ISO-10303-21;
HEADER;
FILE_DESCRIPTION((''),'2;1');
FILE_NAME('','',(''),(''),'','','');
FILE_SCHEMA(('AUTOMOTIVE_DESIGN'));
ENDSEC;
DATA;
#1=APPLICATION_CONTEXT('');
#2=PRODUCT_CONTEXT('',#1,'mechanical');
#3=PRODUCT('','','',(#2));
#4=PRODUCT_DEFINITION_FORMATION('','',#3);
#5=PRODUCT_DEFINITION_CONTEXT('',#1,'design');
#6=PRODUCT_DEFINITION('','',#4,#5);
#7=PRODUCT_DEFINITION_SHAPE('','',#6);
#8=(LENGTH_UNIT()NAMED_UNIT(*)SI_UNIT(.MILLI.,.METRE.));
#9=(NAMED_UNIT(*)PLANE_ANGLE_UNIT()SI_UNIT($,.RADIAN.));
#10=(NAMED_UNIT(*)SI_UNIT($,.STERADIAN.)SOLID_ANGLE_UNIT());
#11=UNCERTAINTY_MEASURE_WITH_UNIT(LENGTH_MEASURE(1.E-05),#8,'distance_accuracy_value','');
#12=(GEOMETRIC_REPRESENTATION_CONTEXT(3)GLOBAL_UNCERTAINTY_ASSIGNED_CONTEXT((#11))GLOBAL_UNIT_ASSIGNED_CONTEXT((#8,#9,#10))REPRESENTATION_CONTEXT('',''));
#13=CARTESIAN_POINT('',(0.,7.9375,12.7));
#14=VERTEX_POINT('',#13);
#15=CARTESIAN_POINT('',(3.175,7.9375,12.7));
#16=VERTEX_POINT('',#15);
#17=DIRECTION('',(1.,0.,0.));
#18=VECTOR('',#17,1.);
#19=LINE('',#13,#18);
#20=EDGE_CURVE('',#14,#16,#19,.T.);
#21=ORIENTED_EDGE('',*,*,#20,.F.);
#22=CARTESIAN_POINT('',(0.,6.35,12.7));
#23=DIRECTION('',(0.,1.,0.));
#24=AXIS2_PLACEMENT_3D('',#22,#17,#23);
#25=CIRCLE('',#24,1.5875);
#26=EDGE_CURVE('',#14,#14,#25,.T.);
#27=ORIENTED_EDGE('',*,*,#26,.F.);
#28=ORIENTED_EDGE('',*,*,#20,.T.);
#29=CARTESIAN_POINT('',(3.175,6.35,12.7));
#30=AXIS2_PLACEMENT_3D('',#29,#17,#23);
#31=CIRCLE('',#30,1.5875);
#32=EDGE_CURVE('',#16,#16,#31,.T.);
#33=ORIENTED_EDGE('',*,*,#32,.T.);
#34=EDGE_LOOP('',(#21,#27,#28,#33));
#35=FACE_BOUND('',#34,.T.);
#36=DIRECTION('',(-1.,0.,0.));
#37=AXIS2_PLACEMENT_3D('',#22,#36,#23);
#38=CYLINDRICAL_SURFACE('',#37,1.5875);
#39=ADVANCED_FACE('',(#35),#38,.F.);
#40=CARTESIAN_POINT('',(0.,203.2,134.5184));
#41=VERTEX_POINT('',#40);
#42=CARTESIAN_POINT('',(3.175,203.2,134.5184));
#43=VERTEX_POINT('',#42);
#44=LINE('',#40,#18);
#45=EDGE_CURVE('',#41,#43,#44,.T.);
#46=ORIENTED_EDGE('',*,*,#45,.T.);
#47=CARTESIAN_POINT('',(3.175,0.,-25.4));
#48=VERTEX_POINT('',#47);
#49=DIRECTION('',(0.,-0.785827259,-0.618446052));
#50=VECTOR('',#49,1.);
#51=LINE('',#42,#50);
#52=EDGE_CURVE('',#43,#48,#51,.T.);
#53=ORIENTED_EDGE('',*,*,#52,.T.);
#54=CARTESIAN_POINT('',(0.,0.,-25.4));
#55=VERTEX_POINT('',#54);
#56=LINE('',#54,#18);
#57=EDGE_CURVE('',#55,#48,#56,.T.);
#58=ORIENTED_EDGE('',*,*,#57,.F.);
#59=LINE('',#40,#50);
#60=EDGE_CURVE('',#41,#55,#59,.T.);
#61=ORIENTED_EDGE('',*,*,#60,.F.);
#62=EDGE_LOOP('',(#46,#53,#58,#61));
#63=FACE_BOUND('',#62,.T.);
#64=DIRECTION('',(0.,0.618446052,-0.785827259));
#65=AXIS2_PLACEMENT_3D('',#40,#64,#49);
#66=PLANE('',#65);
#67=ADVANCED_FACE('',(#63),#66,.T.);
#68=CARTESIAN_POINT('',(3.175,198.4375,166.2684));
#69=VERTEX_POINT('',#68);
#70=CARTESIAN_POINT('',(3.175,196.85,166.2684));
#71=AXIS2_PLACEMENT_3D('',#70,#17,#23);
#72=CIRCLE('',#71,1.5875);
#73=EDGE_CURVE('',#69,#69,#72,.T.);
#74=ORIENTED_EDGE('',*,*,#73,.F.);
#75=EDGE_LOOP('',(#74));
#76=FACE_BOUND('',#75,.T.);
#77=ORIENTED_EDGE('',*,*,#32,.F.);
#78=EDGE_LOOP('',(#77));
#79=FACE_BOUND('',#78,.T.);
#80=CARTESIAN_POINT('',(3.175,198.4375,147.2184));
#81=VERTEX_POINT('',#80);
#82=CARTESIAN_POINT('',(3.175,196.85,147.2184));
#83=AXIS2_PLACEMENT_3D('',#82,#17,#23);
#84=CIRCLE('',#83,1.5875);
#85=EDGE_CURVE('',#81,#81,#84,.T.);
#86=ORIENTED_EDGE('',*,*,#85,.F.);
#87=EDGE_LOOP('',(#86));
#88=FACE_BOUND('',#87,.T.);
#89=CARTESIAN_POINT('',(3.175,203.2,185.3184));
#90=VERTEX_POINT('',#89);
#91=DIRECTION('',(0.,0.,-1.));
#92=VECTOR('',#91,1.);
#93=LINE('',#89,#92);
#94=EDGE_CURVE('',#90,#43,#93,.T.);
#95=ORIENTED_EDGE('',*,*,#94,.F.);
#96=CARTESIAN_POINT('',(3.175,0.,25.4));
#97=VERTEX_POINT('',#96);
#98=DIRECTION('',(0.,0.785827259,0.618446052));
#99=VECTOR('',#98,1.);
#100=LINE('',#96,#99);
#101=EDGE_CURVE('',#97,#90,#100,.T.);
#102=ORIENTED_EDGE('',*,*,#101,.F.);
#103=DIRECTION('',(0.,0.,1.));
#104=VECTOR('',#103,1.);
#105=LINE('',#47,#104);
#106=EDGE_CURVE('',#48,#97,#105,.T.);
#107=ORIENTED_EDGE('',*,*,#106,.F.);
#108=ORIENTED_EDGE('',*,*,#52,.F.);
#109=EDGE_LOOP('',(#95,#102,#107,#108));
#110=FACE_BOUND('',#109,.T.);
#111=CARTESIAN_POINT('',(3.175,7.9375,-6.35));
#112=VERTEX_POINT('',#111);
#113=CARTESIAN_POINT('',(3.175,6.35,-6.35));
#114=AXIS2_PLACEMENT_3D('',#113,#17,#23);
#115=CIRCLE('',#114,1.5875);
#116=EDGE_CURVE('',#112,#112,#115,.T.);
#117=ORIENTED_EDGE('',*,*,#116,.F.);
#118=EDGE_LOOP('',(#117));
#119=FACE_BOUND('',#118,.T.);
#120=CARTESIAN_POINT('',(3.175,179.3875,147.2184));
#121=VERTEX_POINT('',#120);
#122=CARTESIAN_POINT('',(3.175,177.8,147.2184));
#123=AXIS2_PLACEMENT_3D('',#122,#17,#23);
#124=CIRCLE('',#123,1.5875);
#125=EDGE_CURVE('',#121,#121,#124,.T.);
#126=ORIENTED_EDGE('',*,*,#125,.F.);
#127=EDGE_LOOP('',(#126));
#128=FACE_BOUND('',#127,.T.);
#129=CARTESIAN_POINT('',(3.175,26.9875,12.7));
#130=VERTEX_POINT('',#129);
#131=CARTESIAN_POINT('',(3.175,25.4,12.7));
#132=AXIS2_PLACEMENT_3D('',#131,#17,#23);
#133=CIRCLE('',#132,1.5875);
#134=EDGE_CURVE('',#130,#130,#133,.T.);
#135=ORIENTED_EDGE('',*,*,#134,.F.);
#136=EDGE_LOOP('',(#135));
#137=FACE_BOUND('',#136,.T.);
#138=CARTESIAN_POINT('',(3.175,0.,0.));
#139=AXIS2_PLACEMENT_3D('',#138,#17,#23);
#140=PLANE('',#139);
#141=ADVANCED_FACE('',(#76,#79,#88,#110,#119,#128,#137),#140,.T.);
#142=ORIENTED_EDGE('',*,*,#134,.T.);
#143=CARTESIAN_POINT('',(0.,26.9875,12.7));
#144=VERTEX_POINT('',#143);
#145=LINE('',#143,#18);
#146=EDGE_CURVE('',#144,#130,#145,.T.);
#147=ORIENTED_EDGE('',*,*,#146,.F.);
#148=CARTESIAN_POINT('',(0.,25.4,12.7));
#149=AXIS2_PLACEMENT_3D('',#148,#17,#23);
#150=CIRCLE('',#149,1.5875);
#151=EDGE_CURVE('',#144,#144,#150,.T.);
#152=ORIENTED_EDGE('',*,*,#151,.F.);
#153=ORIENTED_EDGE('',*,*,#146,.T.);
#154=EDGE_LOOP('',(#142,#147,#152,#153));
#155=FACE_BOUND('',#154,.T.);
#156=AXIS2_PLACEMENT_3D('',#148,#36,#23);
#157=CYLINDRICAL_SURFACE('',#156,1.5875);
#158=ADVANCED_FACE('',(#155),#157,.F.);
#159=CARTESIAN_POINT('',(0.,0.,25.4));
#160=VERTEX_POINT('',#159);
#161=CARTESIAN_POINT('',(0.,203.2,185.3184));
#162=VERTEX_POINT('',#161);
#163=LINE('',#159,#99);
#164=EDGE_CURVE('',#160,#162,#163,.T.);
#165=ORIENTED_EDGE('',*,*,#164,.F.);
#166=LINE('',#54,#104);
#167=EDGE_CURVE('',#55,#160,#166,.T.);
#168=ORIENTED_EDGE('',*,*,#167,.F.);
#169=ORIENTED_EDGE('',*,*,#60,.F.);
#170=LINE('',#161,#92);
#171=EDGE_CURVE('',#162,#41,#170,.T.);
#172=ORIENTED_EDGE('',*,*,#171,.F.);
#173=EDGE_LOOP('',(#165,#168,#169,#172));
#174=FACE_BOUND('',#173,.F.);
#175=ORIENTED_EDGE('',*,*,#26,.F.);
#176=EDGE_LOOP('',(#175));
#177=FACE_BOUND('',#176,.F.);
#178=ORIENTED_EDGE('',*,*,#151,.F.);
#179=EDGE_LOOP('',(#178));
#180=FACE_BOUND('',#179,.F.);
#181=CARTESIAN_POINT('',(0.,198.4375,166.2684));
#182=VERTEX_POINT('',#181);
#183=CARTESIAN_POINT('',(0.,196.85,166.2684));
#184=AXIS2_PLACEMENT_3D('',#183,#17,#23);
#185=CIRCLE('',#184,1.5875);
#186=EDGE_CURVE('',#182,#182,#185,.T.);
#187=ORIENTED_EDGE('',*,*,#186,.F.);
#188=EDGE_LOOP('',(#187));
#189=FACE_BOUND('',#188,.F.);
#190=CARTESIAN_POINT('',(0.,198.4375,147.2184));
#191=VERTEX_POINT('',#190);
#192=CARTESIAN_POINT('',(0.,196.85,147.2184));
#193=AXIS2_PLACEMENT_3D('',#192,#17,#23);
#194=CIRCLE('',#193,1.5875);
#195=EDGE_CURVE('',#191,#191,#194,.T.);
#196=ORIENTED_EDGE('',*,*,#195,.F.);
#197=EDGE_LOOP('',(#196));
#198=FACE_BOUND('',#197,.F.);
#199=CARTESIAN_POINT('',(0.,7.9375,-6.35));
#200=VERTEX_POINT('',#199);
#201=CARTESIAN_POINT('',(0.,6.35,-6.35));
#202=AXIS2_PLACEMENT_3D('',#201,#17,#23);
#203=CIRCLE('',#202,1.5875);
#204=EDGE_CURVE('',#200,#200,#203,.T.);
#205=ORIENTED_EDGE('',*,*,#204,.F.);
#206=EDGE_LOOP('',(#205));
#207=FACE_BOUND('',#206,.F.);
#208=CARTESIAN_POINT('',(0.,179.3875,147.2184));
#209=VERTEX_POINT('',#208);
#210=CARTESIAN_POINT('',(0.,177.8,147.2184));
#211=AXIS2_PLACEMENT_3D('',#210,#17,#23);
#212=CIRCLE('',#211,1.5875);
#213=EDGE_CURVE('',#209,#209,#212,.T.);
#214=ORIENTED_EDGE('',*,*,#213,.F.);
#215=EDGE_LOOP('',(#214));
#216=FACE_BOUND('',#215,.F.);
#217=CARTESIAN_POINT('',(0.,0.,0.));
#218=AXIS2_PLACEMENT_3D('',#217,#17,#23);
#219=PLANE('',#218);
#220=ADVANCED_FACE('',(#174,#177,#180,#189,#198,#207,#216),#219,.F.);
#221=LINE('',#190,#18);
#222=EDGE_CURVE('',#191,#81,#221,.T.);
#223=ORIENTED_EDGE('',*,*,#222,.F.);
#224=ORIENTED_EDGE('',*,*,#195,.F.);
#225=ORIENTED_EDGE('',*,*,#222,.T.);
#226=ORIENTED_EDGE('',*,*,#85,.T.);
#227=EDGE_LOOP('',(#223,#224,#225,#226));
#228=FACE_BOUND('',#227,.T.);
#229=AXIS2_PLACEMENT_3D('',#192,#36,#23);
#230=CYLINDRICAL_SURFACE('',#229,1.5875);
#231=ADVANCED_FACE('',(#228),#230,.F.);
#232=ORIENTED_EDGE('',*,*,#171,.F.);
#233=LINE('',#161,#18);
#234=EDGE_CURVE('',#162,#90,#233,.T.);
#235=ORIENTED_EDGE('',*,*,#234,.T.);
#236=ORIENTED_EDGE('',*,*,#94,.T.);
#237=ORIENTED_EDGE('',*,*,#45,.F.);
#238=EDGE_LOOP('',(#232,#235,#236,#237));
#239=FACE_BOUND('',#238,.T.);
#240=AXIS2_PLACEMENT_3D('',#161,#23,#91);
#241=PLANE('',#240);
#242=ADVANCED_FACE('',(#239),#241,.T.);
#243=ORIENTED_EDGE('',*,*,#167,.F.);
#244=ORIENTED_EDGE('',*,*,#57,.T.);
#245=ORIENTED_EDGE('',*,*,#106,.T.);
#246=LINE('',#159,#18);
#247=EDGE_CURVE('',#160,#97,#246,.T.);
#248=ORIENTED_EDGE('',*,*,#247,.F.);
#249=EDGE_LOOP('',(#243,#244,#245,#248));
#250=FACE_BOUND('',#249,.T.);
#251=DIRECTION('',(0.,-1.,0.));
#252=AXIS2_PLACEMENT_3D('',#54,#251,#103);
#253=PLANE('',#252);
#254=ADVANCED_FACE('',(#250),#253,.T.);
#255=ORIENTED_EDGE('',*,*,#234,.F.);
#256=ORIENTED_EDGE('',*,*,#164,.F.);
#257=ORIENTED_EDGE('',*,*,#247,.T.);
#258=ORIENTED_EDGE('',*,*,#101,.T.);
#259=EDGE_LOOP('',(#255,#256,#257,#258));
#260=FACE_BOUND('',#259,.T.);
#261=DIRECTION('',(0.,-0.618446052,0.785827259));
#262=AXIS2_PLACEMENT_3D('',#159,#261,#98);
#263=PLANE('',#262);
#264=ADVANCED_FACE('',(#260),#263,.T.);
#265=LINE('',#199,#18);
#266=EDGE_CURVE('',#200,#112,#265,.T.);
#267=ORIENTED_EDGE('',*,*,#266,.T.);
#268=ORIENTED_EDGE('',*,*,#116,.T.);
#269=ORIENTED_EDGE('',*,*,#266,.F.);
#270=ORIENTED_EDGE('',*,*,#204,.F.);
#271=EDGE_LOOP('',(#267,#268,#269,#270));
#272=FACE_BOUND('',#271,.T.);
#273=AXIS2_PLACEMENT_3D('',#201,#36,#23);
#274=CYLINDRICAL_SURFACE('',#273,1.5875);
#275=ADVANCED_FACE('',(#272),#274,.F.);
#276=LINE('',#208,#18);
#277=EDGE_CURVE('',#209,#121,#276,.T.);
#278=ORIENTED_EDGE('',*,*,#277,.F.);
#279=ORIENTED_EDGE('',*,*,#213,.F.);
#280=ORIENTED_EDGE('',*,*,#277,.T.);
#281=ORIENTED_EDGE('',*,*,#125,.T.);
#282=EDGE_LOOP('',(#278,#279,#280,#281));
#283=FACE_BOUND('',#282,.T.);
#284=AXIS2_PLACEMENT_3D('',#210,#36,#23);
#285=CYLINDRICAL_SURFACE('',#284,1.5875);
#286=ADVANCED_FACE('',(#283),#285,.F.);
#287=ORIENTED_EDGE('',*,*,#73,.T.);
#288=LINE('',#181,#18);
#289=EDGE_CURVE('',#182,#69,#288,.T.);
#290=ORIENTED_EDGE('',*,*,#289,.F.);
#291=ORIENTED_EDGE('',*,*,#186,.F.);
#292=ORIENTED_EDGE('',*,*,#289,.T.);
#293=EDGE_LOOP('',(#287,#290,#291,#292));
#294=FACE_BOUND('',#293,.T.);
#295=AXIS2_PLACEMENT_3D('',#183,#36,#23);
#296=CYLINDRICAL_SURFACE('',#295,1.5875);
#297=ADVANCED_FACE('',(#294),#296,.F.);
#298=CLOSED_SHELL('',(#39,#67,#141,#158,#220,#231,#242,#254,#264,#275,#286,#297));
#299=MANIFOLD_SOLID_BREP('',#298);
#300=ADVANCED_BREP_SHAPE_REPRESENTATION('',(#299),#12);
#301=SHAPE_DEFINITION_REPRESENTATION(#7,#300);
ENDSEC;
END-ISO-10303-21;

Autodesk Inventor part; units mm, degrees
ref_plane "YZ Plane" through (0, 0, 0) normal (1, 0, 0) x (0, 1, 0)
ref_plane "XZ Plane" through (0, 0, 0) normal (0, 1, 0) x (-1, 0, 0)
ref_plane "XY Plane" through (0, 0, 0) normal (0, 0, 1) x (1, 0, 0)
sketch "Sketch1" plane through (0, 0, 0) normal (1, 0, 0) x (0, 1, 0)
  line L0 (203.2, 185.3184) -> (203.2, 134.5184)
  line L1 (203.2, 134.5184) -> (0, -25.4)
  line L2 (0, -25.4) -> (0, 25.4)
  line L3 (0, 25.4) -> (203.2, 185.3184)
  line L4 (0, 0) -> (32.2745, 0) construction
  line L5 (203.2, 159.9184) -> (170.9255, 159.9184) construction
  line L6 (0, 25.4) -> (64.5489, 25.4) construction
  line L7 (203.2, 134.5184) -> (138.6511, 134.5184) construction
  circle A0 centre (196.85, 166.2684) radius 1.5875
  line L8 (203.2, 147.2184) -> (154.7883, 147.2184) construction
  line L9 (203.2, 166.2684) -> (178.9942, 166.2684) construction
  line L10 (196.85, 166.2684) -> (196.85, 147.2184) construction
  circle A1 centre (196.85, 147.2184) radius 1.5875
  circle A2 centre (177.8, 147.2184) radius 1.5875
  line L11 (0, -6.35) -> (24.2058, -6.35) construction
  line L12 (48.4117, 12.7) -> (0, 12.7) construction
  line L13 (6.35, -6.35) -> (6.35, 12.7) construction
  circle A3 centre (6.35, -6.35) radius 1.5875
  circle A4 centre (6.35, 12.7) radius 1.5875
  circle A5 centre (25.4, 12.7) radius 1.5875
  point P0 (0, 0)
  dimension "d0" = 50.8
  dimension "d4" = 159.9184
  dimension "d5" = 3.175
  dimension "d6" = 19.05
  dimension "d7" = 6.35
  dimension "d8" = 19.05
  dimension "d9" = 6.35
  dimension "d10" = 19.05
  dimension "d11" = 6.35
  dimension "d12" = 6.35
  dimension "d13" = 19.05
  dimension "d16" = 190.5
extrude "Extrusion1" add sketch "Sketch1" along normal blind 3.175
properties part number "Cross Brace"
